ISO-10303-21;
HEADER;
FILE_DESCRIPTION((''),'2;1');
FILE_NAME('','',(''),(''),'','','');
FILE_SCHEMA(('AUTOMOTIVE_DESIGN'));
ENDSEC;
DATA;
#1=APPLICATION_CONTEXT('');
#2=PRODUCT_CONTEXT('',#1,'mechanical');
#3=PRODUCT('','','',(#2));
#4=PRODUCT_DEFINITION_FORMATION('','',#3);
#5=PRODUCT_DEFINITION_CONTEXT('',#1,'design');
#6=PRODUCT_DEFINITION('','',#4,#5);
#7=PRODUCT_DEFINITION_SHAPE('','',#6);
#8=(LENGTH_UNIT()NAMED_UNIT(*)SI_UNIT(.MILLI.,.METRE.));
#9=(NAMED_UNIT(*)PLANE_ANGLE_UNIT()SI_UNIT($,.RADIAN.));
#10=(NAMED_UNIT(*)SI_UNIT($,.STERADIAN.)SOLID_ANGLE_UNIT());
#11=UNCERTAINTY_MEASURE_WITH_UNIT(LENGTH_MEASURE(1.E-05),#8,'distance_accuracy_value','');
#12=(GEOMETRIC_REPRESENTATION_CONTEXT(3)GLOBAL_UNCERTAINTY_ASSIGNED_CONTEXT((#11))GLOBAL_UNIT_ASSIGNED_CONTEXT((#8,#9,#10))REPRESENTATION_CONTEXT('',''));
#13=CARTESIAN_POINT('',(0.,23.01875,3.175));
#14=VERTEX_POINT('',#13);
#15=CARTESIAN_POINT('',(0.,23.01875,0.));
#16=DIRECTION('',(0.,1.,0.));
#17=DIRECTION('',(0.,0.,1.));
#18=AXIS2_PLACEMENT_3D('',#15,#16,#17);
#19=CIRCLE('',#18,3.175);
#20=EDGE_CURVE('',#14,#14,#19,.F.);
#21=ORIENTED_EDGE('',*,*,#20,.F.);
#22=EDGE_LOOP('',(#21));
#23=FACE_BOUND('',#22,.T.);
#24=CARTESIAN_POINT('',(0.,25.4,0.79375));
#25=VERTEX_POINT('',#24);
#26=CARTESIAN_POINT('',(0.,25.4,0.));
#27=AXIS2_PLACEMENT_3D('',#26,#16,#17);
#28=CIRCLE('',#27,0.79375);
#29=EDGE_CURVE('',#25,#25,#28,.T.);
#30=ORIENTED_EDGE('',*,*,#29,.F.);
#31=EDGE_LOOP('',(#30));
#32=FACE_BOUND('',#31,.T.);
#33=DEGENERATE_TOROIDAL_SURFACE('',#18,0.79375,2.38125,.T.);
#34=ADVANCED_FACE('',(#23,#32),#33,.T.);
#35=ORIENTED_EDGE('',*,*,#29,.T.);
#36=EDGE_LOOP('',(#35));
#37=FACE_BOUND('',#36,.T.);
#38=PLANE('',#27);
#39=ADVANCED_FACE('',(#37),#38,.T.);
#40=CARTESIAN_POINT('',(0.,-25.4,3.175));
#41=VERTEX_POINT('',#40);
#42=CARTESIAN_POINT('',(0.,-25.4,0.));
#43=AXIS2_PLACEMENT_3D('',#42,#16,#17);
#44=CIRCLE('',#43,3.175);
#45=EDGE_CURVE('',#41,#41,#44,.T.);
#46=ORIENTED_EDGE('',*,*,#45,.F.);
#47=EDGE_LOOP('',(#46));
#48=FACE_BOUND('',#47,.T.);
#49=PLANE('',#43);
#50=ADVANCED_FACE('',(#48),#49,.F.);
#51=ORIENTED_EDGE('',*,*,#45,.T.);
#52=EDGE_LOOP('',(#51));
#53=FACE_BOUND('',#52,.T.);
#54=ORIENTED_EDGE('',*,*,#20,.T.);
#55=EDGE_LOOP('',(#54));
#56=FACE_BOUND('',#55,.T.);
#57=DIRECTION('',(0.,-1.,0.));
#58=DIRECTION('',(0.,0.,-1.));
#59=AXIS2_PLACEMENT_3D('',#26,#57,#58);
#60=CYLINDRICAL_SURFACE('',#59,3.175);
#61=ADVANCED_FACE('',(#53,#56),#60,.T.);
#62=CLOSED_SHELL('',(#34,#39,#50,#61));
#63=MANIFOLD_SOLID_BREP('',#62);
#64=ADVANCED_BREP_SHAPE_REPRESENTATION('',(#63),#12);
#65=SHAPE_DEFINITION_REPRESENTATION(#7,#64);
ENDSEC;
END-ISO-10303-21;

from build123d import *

# Parameters (mm, degrees)
SKETCH1_R      = 3.175
EXTRUDE1_DEPTH = 25.4
FILLET1_R      = 2.38125


with BuildPart() as part:
    # Sketch1 → Extrude1 (new body, symmetric)
    with BuildSketch(Plane(origin=(0, 0, 0), x_dir=(1, 0, 0), z_dir=(0, 1, 0))):
        Circle(SKETCH1_R)
    extrude(amount=EXTRUDE1_DEPTH, both=True)

    # Fillet1
    fillet1_edges = [part.edges().sort_by_distance(p)[0] for p in [
        (-3.175, 25.4, 0),
    ]]
    fillet(fillet1_edges, radius=FILLET1_R)


solid = part.part
